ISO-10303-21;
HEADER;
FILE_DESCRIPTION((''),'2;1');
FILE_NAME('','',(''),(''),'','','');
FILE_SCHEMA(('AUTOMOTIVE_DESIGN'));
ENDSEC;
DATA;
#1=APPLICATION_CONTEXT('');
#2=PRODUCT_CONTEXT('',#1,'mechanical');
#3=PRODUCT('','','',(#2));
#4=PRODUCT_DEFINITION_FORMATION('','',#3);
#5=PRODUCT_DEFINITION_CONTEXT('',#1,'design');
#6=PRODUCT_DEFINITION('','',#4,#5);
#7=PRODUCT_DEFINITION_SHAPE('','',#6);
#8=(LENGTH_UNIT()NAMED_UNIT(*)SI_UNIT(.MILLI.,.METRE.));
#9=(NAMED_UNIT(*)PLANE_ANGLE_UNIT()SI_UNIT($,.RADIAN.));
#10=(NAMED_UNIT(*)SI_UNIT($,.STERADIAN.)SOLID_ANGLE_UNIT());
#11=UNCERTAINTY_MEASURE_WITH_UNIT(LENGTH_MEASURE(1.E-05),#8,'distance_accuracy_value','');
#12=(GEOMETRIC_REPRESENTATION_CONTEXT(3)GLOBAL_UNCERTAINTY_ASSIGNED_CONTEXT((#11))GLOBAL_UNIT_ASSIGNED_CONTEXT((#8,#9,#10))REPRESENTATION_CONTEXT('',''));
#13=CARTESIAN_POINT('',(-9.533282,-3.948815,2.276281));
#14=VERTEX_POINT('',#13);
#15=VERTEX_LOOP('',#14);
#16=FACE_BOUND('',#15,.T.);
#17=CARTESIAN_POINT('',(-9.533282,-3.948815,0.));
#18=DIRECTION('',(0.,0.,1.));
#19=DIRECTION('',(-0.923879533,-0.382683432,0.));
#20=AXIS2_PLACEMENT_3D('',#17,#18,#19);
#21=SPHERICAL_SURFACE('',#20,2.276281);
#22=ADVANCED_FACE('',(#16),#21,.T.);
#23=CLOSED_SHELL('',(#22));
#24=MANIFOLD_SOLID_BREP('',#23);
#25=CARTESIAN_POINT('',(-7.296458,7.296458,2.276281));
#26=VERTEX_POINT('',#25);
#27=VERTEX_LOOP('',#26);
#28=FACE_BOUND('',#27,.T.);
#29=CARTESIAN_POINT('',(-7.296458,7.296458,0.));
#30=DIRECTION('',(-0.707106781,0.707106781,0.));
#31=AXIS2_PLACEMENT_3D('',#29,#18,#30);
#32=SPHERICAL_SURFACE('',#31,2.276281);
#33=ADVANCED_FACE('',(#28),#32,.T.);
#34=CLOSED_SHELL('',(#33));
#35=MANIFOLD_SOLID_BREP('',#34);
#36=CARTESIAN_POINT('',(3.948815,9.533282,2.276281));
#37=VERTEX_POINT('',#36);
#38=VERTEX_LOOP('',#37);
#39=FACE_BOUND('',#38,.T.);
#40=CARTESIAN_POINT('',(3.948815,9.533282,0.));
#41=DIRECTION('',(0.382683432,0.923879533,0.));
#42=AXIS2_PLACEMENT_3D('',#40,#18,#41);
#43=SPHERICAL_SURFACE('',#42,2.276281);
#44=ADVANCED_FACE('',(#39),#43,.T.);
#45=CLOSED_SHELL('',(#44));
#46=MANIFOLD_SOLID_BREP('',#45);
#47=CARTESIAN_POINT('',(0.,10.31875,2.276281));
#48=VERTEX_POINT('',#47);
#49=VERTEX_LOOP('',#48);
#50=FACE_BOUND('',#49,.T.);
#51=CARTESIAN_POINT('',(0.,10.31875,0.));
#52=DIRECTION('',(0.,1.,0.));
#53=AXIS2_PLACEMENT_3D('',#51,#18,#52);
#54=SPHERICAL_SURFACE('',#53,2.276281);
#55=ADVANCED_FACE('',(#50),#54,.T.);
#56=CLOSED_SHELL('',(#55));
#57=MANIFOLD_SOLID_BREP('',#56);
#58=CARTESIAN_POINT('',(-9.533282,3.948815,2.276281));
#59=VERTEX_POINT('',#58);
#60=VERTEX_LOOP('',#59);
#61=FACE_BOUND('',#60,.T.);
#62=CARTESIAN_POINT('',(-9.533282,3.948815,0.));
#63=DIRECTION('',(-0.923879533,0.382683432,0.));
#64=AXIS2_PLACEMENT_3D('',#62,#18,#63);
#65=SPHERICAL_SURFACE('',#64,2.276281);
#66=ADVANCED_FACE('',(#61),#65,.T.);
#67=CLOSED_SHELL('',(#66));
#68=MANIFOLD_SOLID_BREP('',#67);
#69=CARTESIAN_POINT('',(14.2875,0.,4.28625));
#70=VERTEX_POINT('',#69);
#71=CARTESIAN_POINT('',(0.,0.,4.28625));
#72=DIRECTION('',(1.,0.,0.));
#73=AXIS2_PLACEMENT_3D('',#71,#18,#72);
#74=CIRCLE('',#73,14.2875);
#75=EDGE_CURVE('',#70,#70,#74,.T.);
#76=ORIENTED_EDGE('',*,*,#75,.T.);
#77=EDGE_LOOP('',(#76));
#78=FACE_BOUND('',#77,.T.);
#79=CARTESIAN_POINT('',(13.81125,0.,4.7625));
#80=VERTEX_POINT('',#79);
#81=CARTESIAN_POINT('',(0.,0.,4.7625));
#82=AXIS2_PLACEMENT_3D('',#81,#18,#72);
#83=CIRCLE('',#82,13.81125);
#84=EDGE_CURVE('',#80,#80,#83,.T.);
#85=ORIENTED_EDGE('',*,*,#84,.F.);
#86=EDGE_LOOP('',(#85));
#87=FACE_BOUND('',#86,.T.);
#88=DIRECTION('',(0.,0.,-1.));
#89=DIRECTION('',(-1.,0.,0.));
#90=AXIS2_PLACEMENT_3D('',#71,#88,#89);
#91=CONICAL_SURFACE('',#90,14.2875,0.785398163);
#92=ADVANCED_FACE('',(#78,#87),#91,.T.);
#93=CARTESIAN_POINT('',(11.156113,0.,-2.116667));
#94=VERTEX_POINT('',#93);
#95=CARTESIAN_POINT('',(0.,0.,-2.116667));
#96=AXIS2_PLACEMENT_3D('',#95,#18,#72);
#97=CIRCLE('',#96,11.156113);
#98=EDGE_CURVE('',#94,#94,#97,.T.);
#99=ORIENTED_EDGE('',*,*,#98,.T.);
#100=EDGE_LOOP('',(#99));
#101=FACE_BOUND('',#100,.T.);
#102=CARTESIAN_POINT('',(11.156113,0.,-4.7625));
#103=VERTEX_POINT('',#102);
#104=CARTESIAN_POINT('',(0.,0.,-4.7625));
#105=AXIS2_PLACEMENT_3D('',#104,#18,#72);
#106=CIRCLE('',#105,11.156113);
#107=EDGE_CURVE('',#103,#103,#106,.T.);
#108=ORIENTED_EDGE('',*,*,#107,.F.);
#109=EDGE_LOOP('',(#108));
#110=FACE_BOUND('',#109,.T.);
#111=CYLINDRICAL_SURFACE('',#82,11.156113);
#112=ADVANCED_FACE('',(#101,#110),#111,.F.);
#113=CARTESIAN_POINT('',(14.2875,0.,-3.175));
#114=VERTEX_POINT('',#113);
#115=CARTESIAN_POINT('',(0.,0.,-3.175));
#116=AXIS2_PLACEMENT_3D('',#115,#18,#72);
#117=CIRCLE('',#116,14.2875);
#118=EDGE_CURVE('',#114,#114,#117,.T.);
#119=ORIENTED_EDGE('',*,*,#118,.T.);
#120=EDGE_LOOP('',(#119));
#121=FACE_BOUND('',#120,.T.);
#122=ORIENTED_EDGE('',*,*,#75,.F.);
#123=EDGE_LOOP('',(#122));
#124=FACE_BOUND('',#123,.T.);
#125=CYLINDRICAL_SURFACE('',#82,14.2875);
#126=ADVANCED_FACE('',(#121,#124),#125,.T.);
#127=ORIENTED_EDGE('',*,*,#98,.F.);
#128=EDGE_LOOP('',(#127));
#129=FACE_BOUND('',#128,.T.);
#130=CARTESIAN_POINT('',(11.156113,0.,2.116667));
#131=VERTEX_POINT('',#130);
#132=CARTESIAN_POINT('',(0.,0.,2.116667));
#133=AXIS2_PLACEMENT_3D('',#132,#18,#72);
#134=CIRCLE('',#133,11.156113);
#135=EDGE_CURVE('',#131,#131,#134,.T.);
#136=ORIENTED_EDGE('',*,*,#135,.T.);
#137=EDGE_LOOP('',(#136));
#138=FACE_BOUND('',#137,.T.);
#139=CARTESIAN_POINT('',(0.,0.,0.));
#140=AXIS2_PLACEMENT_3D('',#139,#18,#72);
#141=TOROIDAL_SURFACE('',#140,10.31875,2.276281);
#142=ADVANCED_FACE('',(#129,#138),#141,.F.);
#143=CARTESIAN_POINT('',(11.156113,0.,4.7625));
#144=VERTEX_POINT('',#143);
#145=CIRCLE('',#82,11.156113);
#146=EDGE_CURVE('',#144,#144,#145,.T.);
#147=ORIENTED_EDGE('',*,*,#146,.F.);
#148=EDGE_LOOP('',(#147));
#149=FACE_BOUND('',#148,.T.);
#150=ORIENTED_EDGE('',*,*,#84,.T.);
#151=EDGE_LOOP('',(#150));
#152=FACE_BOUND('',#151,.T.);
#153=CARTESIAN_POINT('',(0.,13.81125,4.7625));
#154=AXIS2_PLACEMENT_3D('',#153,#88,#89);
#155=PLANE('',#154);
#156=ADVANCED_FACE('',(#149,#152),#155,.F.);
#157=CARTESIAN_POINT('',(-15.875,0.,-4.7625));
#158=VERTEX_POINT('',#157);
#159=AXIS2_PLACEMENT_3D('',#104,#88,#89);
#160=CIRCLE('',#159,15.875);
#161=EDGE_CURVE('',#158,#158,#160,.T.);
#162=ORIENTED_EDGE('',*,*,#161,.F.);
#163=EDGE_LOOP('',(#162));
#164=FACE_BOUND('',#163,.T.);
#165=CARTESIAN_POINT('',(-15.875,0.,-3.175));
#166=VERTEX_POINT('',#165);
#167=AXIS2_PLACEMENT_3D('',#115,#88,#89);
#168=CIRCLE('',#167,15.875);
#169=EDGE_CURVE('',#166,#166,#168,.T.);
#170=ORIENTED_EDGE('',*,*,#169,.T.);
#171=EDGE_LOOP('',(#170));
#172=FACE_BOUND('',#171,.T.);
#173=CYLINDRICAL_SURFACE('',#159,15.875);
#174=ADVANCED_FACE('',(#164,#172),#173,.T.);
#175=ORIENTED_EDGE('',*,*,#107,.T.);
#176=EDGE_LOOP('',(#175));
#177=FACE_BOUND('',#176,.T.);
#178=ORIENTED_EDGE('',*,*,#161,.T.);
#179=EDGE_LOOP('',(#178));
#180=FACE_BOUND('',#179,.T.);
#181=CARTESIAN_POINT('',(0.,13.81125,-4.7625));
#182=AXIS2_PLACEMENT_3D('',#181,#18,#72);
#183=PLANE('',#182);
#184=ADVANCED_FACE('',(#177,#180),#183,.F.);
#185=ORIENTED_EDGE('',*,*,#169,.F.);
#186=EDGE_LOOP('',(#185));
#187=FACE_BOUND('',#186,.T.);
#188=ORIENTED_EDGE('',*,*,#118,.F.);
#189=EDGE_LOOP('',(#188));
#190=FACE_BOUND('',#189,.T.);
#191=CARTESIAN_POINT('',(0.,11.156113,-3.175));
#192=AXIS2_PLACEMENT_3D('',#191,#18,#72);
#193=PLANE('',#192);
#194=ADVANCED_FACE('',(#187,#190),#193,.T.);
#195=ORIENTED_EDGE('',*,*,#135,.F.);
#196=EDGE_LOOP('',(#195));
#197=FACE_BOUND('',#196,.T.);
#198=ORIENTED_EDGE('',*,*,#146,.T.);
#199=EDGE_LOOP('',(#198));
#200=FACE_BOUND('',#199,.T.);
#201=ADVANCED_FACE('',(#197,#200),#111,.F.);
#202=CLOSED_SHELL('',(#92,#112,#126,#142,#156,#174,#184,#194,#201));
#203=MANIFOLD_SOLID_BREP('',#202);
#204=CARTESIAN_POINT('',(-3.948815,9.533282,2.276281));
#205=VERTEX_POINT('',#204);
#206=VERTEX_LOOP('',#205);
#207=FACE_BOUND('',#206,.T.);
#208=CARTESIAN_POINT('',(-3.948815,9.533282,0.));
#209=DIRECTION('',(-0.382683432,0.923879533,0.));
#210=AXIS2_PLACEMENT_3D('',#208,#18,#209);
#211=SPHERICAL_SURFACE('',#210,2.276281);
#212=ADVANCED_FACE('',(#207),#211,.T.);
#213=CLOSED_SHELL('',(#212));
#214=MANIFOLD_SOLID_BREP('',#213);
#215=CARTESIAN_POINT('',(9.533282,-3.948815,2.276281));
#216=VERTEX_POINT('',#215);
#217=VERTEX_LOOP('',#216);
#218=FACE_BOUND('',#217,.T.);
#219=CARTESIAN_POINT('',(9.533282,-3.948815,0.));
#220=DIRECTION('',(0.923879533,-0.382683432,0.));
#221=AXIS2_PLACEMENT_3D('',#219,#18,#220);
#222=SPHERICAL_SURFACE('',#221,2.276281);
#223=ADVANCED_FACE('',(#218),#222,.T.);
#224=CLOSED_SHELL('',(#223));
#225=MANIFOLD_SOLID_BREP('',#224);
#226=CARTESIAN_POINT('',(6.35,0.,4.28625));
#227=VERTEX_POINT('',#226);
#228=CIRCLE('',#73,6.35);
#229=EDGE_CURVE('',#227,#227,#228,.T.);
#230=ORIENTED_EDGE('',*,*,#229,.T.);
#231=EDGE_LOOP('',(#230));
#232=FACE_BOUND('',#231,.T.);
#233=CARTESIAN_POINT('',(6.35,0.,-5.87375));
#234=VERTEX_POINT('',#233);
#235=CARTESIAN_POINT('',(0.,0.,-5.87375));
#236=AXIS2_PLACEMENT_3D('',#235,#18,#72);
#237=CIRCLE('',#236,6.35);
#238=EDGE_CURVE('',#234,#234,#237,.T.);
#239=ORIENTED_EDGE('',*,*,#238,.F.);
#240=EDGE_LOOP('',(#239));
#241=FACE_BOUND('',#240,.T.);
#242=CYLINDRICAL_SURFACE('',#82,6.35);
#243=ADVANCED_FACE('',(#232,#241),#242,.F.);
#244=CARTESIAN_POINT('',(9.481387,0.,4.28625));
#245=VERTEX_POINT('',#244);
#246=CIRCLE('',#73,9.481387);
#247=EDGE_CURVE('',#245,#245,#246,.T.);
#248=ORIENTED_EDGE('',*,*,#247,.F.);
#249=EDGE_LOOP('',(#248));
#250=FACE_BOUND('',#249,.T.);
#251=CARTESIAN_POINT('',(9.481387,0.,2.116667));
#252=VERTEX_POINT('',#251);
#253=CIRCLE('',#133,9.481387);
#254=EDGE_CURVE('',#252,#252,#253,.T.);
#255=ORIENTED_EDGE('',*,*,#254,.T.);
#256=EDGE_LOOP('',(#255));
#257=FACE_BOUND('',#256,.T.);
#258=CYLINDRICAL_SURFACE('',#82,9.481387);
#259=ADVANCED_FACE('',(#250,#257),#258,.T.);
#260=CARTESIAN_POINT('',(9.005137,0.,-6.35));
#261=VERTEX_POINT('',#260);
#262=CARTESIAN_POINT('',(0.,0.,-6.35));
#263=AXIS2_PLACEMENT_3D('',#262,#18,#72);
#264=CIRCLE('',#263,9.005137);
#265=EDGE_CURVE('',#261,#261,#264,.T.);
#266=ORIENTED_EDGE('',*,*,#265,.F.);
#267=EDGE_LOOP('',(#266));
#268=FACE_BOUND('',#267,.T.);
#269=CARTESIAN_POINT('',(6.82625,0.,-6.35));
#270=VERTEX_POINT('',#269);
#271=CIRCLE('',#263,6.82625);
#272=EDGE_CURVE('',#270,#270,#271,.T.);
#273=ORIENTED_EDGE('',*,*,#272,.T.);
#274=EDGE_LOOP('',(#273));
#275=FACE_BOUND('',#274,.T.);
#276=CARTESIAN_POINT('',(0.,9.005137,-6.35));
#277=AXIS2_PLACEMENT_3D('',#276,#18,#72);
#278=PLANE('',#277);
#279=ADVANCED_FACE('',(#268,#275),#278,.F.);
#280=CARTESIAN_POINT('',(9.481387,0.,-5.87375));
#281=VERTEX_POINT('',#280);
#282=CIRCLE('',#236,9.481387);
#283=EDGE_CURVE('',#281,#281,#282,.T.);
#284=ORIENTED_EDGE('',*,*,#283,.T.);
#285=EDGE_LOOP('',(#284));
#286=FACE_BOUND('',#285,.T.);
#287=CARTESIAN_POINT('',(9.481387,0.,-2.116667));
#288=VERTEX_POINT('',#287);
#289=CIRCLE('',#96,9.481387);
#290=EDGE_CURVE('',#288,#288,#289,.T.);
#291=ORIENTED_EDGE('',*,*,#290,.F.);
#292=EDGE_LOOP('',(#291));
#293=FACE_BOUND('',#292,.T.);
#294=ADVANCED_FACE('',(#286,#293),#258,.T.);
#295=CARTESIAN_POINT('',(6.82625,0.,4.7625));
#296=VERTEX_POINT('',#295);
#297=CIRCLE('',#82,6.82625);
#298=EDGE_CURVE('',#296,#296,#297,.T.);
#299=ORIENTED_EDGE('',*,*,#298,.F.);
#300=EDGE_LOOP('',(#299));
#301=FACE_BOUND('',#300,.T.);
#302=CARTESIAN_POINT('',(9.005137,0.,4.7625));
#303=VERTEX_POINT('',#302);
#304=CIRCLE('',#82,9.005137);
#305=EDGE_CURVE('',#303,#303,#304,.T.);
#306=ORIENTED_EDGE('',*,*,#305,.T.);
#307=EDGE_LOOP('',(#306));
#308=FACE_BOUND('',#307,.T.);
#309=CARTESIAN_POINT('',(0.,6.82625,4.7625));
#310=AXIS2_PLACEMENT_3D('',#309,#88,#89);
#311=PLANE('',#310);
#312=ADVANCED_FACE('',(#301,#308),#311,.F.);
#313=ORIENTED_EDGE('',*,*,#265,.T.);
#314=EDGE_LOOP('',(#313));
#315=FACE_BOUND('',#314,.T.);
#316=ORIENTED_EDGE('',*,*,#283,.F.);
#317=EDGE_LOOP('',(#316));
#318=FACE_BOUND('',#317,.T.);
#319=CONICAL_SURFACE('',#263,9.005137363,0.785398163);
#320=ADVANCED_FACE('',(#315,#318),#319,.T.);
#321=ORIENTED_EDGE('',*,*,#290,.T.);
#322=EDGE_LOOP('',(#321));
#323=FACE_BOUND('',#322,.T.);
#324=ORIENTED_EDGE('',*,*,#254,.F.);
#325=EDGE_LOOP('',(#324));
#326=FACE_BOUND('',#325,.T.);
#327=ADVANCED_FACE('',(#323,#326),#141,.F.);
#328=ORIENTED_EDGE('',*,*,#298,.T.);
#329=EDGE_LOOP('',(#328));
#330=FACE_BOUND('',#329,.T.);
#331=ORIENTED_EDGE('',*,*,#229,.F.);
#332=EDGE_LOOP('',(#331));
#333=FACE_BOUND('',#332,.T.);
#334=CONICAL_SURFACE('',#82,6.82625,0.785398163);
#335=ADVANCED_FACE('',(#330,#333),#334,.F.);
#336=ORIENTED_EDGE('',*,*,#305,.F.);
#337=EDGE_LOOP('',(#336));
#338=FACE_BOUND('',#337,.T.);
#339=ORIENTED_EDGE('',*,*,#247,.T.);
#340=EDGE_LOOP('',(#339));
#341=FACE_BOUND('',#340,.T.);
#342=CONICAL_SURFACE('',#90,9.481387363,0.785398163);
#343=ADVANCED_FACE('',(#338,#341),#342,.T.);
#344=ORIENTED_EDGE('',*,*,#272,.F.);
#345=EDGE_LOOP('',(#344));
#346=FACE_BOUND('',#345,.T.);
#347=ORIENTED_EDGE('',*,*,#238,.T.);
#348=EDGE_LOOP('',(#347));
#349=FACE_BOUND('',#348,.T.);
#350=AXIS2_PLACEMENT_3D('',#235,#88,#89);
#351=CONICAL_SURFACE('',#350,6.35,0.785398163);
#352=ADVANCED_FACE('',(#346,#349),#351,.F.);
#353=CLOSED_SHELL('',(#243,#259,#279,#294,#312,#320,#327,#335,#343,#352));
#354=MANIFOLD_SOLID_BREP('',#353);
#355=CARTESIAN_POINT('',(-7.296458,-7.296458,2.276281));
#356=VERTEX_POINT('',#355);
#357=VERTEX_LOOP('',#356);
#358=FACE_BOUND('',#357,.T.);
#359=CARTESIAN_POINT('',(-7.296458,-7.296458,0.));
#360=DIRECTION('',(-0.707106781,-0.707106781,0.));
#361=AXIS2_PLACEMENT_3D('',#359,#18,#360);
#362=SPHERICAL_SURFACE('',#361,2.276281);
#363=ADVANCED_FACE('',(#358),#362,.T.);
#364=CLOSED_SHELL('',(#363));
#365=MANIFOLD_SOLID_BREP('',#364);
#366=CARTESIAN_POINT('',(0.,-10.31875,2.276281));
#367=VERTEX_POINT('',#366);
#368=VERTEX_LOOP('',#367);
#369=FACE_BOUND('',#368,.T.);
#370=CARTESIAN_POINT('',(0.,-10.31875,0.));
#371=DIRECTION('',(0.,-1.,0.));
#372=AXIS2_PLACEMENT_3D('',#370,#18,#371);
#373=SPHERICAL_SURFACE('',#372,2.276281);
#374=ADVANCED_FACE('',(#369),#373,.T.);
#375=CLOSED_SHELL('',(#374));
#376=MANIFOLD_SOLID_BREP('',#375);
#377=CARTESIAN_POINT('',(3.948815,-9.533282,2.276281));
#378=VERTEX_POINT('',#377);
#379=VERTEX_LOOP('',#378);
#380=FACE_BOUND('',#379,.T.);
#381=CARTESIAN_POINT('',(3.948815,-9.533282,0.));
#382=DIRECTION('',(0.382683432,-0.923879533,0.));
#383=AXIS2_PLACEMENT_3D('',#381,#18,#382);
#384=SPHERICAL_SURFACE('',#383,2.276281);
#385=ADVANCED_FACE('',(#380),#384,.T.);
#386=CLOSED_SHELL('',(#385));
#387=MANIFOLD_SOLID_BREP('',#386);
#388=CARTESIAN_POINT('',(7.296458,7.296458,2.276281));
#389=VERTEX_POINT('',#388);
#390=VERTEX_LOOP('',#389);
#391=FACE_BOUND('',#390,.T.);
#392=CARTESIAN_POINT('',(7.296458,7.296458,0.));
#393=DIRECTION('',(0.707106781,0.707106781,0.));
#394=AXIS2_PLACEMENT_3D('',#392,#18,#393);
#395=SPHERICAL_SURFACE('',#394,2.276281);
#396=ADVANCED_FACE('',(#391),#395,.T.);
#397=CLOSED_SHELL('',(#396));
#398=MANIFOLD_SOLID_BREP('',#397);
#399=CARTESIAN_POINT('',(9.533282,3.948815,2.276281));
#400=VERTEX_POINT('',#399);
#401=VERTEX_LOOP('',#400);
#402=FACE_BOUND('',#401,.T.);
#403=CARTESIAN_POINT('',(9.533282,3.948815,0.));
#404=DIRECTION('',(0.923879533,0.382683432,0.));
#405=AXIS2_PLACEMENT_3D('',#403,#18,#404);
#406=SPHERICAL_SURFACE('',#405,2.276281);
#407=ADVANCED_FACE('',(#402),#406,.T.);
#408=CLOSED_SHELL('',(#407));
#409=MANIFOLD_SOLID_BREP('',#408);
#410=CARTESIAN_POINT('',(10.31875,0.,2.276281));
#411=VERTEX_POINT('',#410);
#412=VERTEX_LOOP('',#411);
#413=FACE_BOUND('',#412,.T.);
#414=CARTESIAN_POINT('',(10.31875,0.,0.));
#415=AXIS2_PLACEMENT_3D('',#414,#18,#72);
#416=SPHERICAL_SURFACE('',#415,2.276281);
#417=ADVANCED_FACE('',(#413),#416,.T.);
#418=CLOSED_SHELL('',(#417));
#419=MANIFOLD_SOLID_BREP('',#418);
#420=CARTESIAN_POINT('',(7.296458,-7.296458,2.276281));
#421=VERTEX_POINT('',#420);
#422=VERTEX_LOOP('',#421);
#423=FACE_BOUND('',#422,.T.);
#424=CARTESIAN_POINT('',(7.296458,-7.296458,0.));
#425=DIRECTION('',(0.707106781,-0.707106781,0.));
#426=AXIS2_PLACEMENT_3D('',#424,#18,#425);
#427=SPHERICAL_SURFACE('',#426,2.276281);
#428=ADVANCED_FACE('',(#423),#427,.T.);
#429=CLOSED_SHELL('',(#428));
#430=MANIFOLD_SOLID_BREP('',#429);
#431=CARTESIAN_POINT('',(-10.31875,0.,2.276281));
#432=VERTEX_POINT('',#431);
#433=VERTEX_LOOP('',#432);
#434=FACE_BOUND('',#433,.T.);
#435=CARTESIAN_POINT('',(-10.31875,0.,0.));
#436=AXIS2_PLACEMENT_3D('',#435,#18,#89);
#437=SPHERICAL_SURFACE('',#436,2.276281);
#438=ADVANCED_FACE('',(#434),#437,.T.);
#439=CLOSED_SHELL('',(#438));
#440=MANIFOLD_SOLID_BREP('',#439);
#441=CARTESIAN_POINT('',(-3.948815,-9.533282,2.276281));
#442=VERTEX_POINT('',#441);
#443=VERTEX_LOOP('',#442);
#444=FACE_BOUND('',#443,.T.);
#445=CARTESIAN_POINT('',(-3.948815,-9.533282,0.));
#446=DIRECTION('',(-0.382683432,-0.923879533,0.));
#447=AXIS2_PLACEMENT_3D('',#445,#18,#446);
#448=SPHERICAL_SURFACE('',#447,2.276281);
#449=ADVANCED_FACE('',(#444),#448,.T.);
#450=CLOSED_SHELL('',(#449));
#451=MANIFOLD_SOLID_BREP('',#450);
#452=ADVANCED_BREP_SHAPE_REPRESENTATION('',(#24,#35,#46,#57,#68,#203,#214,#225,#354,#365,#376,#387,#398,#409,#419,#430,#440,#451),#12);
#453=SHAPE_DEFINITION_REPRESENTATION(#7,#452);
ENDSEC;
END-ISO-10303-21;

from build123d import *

# Parameters (mm, degrees)
CIRPATTERN1_COUNT = 16
SKETCH6_W         = 1.5875
SKETCH6_H         = 4.718887363


with BuildPart() as part:
    # Sketch1 → Revolve1 (revolve)
    with BuildSketch(Plane(origin=(0, 0, 0), x_dir=(0, 0, -1), z_dir=(1, 0, 0))):
        with BuildLine():
            Line((4.28625, 14.2875), (-4.28625, 14.2875))
            Line((-4.28625, 14.2875), (-4.7625, 13.81125))
            Line((-4.7625, 13.81125), (-4.7625, 11.156112637))
            Line((-4.7625, 11.156112637), (-2.116666667, 11.156112637))
            ThreePointArc((-2.116666667, 11.156112637), (0, 12.595030731), (2.116666667, 11.156112637))
            Line((2.116666667, 11.156112637), (4.7625, 11.156112637))
            Line((4.7625, 11.156112637), (4.7625, 13.81125))
            Line((4.7625, 13.81125), (4.28625, 14.2875))
        make_face()
    revolve(axis=Axis((0, 0, 4.7625), (0, 0, -1)))

    # Sketch6 → Revolve6 (revolve)
    with BuildSketch(Plane(origin=(0, 0, 0), x_dir=(0, 0, -1), z_dir=(1, 0, 0))):
        with Locations((3.96875, 13.515556319)):
            Rectangle(SKETCH6_W, SKETCH6_H)
    revolve(axis=Axis((0, 0, -4.7625), (0, 0, 1)))


with BuildPart() as body_2:
    # Sketch3 → Revolve3 (revolve)
    with BuildSketch(Plane(origin=(0, 0, 0), x_dir=(0, 0, -1), z_dir=(1, 0, 0))):
        with BuildLine():
            Line((-4.7625, 6.82625), (-4.7625, 9.005137363))
            Line((-4.7625, 9.005137363), (-4.28625, 9.481387363))
            Line((-4.28625, 9.481387363), (-2.116666667, 9.481387363))
            ThreePointArc((-2.116666667, 9.481387363), (0, 8.042469269), (2.116666667, 9.481387363))
            Line((2.116666667, 9.481387363), (5.87375, 9.481387363))
            Line((5.87375, 9.481387363), (6.35, 9.005137363))
            Line((6.35, 9.005137363), (6.35, 6.82625))
            Line((6.35, 6.82625), (5.87375, 6.35))
            Line((5.87375, 6.35), (-4.28625, 6.35))
            Line((-4.28625, 6.35), (-4.7625, 6.82625))
        make_face()
    revolve(axis=Axis((0, 0, 4.7625), (0, 0, -1)))


with BuildPart() as body_3:
    # Sketch4 → Revolve4 (revolve)
    with BuildSketch(Plane(origin=(0, 0, 0), x_dir=(0, 0, -1), z_dir=(1, 0, 0))):
        with BuildLine():
            Line((-2.276280731, 10.31875), (2.276280731, 10.31875))
            ThreePointArc((2.276280731, 10.31875), (0, 12.595030731), (-2.276280731, 10.31875))
        make_face()
    revolve(axis=Axis((0, 10.31875, 2.276280731), (0, 0, -1)))


with BuildPart() as cirpattern1_1:
    # CirPattern1: pattern copy
    add(body_3.part.rotate(Axis((0, 0, -4.7625), (0, 0, 1)), 1 * 360 / CIRPATTERN1_COUNT))


with BuildPart() as cirpattern1_2:
    # CirPattern1: pattern copy
    add(body_3.part.rotate(Axis((0, 0, -4.7625), (0, 0, 1)), 2 * 360 / CIRPATTERN1_COUNT))


with BuildPart() as cirpattern1_3:
    # CirPattern1: pattern copy
    add(body_3.part.rotate(Axis((0, 0, -4.7625), (0, 0, 1)), 3 * 360 / CIRPATTERN1_COUNT))


with BuildPart() as cirpattern1_4:
    # CirPattern1: pattern copy
    add(body_3.part.rotate(Axis((0, 0, -4.7625), (0, 0, 1)), 4 * 360 / CIRPATTERN1_COUNT))


with BuildPart() as cirpattern1_5:
    # CirPattern1: pattern copy
    add(body_3.part.rotate(Axis((0, 0, -4.7625), (0, 0, 1)), 5 * 360 / CIRPATTERN1_COUNT))


with BuildPart() as cirpattern1_6:
    # CirPattern1: pattern copy
    add(body_3.part.rotate(Axis((0, 0, -4.7625), (0, 0, 1)), 6 * 360 / CIRPATTERN1_COUNT))


with BuildPart() as cirpattern1_7:
    # CirPattern1: pattern copy
    add(body_3.part.rotate(Axis((0, 0, -4.7625), (0, 0, 1)), 7 * 360 / CIRPATTERN1_COUNT))


with BuildPart() as cirpattern1_8:
    # CirPattern1: pattern copy
    add(body_3.part.rotate(Axis((0, 0, -4.7625), (0, 0, 1)), 8 * 360 / CIRPATTERN1_COUNT))


with BuildPart() as cirpattern1_9:
    # CirPattern1: pattern copy
    add(body_3.part.rotate(Axis((0, 0, -4.7625), (0, 0, 1)), 9 * 360 / CIRPATTERN1_COUNT))


with BuildPart() as cirpattern1_10:
    # CirPattern1: pattern copy
    add(body_3.part.rotate(Axis((0, 0, -4.7625), (0, 0, 1)), 10 * 360 / CIRPATTERN1_COUNT))


with BuildPart() as cirpattern1_11:
    # CirPattern1: pattern copy
    add(body_3.part.rotate(Axis((0, 0, -4.7625), (0, 0, 1)), 11 * 360 / CIRPATTERN1_COUNT))


with BuildPart() as cirpattern1_12:
    # CirPattern1: pattern copy
    add(body_3.part.rotate(Axis((0, 0, -4.7625), (0, 0, 1)), 12 * 360 / CIRPATTERN1_COUNT))


with BuildPart() as cirpattern1_13:
    # CirPattern1: pattern copy
    add(body_3.part.rotate(Axis((0, 0, -4.7625), (0, 0, 1)), 13 * 360 / CIRPATTERN1_COUNT))


with BuildPart() as cirpattern1_14:
    # CirPattern1: pattern copy
    add(body_3.part.rotate(Axis((0, 0, -4.7625), (0, 0, 1)), 14 * 360 / CIRPATTERN1_COUNT))


with BuildPart() as cirpattern1_15:
    # CirPattern1: pattern copy
    add(body_3.part.rotate(Axis((0, 0, -4.7625), (0, 0, 1)), 15 * 360 / CIRPATTERN1_COUNT))


solid = Compound([part.part, body_2.part, body_3.part, cirpattern1_1.part, cirpattern1_2.part, cirpattern1_3.part, cirpattern1_4.part, cirpattern1_5.part, cirpattern1_6.part, cirpattern1_7.part, cirpattern1_8.part, cirpattern1_9.part, cirpattern1_10.part, cirpattern1_11.part, cirpattern1_12.part, cirpattern1_13.part, cirpattern1_14.part, cirpattern1_15.part])
